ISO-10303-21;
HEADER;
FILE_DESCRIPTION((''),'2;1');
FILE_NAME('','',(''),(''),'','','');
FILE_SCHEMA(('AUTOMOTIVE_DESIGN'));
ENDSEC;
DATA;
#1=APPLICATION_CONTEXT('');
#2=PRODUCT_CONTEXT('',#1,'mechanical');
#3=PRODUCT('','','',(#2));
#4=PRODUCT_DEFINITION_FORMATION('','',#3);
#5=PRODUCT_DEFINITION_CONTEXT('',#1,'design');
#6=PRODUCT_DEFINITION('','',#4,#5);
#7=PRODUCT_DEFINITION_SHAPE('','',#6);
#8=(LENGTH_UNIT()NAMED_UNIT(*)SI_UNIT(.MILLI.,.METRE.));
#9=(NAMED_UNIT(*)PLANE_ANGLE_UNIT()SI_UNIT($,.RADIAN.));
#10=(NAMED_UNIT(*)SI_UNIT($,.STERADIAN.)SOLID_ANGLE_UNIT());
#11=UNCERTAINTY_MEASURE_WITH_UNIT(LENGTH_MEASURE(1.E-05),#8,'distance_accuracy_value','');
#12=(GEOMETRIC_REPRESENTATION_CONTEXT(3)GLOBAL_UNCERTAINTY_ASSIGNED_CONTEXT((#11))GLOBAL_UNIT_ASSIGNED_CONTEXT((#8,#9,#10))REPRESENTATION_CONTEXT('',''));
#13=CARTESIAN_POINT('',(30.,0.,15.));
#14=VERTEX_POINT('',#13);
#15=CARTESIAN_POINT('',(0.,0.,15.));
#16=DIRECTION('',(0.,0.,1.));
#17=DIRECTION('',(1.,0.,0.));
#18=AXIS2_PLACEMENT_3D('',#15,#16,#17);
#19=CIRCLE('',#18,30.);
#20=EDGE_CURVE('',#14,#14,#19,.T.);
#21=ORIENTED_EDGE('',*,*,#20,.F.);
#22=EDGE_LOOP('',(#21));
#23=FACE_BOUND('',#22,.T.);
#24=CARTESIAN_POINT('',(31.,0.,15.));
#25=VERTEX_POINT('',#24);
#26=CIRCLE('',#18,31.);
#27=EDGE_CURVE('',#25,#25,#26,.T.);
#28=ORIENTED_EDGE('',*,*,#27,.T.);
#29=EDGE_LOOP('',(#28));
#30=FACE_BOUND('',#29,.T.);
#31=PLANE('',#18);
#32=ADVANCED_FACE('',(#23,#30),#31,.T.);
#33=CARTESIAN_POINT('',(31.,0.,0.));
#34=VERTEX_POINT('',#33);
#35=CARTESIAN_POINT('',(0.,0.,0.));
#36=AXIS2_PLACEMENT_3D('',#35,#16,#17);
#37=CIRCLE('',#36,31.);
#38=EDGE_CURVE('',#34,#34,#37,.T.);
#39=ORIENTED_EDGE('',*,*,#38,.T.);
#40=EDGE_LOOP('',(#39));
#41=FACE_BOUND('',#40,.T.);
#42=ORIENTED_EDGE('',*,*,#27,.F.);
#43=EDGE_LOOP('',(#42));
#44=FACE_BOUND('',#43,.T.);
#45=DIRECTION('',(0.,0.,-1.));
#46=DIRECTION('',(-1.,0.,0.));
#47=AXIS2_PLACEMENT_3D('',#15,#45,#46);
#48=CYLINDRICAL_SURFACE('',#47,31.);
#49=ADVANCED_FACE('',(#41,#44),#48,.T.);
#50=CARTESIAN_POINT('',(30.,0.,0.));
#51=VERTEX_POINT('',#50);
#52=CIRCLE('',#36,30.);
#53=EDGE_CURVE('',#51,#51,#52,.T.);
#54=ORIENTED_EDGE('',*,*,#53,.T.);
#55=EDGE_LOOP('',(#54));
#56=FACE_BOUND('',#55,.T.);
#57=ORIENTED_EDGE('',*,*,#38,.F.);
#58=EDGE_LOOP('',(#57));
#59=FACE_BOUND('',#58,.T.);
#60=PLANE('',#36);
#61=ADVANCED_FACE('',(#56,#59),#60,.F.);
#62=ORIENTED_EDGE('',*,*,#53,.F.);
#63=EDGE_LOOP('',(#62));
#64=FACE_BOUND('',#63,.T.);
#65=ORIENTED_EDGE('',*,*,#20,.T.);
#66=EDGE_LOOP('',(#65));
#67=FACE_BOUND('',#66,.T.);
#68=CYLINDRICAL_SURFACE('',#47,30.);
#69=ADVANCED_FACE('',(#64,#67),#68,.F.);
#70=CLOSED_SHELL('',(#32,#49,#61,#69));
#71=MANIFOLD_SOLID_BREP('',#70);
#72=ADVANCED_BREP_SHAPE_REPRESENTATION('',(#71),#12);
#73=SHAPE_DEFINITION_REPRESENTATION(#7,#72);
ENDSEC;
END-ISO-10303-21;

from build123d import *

# Parameters (mm, degrees)
ESBO_O1_R                = 31
ESBO_O1_R_2              = 30
RESSALTO_EXTRUS_O1_DEPTH = 15


with BuildPart() as part:
    # Esboço1 → Ressalto-extrusão1 (new body)
    with BuildSketch(Plane.XY):
        Circle(ESBO_O1_R)
        Circle(ESBO_O1_R_2, mode=Mode.SUBTRACT)
    extrude(amount=RESSALTO_EXTRUS_O1_DEPTH)


solid = part.part
